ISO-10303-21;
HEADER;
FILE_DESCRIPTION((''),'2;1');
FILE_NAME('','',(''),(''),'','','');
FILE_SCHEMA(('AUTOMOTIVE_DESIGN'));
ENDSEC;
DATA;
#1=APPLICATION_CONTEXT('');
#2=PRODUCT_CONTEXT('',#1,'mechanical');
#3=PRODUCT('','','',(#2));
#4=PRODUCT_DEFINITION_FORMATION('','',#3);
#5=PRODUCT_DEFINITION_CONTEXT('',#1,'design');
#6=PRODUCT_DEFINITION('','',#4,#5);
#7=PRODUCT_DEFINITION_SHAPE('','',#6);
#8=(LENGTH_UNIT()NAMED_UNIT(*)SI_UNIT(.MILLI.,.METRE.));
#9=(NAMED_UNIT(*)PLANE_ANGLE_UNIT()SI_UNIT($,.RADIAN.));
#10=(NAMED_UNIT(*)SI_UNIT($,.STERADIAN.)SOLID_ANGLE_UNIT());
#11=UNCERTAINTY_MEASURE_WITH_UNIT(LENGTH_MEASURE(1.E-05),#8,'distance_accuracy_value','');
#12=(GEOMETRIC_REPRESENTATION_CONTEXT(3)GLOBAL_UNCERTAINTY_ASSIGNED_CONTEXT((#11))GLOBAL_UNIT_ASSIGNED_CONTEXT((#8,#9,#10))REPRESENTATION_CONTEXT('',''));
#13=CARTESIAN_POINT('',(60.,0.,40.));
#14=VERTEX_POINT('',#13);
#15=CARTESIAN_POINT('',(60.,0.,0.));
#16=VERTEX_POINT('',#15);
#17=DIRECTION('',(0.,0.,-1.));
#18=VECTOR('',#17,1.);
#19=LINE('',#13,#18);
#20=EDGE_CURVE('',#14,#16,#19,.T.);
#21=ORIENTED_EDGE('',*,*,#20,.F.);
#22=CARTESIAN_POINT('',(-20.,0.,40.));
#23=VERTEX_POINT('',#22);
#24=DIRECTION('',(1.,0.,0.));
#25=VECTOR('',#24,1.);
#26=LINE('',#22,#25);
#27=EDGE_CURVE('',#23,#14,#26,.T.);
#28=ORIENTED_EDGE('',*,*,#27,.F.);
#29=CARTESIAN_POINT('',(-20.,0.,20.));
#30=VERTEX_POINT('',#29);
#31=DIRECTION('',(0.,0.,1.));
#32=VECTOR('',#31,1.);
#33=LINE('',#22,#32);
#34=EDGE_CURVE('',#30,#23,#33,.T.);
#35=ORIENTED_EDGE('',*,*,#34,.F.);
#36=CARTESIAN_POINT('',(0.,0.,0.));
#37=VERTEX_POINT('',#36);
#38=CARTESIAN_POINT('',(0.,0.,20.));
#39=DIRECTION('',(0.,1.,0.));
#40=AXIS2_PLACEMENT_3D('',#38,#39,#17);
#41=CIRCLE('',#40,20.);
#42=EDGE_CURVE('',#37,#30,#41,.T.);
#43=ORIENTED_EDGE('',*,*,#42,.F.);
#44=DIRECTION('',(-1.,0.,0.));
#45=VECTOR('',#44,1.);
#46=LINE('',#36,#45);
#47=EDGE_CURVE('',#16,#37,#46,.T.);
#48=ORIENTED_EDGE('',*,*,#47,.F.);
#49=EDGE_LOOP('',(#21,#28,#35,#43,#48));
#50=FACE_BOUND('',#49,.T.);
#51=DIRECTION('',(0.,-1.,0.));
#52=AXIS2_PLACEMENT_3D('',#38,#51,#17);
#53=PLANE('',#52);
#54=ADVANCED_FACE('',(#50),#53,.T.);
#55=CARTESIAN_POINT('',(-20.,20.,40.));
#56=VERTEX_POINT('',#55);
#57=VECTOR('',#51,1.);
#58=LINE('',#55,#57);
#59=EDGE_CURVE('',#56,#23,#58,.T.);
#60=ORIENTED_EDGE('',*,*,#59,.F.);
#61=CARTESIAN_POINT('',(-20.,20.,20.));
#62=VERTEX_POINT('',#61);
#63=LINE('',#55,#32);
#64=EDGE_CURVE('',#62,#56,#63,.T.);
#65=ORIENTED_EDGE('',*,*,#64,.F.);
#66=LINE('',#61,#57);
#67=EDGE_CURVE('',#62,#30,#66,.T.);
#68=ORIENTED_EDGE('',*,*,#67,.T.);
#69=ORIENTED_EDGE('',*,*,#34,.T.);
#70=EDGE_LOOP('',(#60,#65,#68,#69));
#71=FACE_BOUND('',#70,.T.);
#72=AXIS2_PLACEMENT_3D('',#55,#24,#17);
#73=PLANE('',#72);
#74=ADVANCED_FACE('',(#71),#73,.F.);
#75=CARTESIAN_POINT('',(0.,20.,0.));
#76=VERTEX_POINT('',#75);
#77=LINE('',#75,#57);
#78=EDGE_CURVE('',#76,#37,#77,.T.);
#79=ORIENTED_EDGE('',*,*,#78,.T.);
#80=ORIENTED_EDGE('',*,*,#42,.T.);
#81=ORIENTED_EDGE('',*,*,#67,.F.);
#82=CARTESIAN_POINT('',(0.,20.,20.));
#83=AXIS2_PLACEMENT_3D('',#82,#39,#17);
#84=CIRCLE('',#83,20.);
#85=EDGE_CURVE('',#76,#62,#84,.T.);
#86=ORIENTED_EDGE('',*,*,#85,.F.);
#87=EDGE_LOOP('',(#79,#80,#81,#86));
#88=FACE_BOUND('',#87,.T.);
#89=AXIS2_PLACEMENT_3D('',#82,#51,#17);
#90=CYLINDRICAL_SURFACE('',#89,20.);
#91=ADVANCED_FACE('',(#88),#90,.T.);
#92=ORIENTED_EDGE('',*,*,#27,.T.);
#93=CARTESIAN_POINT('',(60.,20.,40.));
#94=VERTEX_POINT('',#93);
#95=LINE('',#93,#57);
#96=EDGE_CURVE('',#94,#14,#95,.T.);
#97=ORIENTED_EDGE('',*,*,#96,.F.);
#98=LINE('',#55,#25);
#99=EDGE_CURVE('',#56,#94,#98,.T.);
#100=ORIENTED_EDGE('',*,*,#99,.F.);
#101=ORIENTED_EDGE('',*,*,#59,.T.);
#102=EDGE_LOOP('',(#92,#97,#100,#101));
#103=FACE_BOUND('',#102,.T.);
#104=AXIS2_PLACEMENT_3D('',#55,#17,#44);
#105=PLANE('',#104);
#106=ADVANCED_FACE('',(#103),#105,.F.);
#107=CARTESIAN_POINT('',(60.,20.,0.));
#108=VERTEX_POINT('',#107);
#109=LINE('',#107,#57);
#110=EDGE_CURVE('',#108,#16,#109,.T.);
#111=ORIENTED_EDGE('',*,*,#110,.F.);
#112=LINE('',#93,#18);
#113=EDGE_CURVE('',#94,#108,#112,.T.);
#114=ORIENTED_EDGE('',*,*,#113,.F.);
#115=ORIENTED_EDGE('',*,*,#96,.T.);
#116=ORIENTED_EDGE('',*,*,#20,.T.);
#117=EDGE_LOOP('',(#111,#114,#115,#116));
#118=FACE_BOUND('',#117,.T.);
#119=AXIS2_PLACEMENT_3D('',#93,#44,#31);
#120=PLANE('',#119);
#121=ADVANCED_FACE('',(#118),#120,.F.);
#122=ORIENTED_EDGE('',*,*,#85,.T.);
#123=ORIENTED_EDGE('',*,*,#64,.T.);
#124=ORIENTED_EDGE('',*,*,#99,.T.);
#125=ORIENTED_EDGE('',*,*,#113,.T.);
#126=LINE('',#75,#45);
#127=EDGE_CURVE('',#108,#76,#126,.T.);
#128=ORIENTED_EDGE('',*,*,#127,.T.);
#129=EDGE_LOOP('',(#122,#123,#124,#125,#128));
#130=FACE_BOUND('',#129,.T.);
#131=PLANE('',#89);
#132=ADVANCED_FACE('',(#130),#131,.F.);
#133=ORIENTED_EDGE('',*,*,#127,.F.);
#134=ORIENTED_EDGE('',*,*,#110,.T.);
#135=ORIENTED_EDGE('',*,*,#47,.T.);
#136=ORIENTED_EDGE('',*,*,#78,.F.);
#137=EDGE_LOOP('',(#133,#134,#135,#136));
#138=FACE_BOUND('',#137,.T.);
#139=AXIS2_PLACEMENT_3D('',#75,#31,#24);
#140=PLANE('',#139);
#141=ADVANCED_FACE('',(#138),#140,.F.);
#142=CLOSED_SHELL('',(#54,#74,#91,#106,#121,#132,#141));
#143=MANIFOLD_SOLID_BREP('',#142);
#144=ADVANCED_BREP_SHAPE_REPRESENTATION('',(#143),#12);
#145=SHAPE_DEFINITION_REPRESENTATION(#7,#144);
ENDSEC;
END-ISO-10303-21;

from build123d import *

# Parameters (mm, degrees)
BOSS_EXTRUDE1_DEPTH = 20


with BuildPart() as part:
    # Sketch1 → Boss-Extrude1 (new body)
    with BuildSketch(Plane(origin=(0, 0, 0), x_dir=(1, 0, 0), z_dir=(0, 1, 0))):
        with BuildLine():
            Line((0, 0), (60, 0))
            Line((60, 0), (60, -40))
            Line((60, -40), (-20, -40))
            Line((-20, -40), (-20, -20))
            ThreePointArc((-20, -20), (-14.142135624, -5.857864376), (0, 0))
        make_face()
    extrude(amount=BOSS_EXTRUDE1_DEPTH)


solid = part.part
